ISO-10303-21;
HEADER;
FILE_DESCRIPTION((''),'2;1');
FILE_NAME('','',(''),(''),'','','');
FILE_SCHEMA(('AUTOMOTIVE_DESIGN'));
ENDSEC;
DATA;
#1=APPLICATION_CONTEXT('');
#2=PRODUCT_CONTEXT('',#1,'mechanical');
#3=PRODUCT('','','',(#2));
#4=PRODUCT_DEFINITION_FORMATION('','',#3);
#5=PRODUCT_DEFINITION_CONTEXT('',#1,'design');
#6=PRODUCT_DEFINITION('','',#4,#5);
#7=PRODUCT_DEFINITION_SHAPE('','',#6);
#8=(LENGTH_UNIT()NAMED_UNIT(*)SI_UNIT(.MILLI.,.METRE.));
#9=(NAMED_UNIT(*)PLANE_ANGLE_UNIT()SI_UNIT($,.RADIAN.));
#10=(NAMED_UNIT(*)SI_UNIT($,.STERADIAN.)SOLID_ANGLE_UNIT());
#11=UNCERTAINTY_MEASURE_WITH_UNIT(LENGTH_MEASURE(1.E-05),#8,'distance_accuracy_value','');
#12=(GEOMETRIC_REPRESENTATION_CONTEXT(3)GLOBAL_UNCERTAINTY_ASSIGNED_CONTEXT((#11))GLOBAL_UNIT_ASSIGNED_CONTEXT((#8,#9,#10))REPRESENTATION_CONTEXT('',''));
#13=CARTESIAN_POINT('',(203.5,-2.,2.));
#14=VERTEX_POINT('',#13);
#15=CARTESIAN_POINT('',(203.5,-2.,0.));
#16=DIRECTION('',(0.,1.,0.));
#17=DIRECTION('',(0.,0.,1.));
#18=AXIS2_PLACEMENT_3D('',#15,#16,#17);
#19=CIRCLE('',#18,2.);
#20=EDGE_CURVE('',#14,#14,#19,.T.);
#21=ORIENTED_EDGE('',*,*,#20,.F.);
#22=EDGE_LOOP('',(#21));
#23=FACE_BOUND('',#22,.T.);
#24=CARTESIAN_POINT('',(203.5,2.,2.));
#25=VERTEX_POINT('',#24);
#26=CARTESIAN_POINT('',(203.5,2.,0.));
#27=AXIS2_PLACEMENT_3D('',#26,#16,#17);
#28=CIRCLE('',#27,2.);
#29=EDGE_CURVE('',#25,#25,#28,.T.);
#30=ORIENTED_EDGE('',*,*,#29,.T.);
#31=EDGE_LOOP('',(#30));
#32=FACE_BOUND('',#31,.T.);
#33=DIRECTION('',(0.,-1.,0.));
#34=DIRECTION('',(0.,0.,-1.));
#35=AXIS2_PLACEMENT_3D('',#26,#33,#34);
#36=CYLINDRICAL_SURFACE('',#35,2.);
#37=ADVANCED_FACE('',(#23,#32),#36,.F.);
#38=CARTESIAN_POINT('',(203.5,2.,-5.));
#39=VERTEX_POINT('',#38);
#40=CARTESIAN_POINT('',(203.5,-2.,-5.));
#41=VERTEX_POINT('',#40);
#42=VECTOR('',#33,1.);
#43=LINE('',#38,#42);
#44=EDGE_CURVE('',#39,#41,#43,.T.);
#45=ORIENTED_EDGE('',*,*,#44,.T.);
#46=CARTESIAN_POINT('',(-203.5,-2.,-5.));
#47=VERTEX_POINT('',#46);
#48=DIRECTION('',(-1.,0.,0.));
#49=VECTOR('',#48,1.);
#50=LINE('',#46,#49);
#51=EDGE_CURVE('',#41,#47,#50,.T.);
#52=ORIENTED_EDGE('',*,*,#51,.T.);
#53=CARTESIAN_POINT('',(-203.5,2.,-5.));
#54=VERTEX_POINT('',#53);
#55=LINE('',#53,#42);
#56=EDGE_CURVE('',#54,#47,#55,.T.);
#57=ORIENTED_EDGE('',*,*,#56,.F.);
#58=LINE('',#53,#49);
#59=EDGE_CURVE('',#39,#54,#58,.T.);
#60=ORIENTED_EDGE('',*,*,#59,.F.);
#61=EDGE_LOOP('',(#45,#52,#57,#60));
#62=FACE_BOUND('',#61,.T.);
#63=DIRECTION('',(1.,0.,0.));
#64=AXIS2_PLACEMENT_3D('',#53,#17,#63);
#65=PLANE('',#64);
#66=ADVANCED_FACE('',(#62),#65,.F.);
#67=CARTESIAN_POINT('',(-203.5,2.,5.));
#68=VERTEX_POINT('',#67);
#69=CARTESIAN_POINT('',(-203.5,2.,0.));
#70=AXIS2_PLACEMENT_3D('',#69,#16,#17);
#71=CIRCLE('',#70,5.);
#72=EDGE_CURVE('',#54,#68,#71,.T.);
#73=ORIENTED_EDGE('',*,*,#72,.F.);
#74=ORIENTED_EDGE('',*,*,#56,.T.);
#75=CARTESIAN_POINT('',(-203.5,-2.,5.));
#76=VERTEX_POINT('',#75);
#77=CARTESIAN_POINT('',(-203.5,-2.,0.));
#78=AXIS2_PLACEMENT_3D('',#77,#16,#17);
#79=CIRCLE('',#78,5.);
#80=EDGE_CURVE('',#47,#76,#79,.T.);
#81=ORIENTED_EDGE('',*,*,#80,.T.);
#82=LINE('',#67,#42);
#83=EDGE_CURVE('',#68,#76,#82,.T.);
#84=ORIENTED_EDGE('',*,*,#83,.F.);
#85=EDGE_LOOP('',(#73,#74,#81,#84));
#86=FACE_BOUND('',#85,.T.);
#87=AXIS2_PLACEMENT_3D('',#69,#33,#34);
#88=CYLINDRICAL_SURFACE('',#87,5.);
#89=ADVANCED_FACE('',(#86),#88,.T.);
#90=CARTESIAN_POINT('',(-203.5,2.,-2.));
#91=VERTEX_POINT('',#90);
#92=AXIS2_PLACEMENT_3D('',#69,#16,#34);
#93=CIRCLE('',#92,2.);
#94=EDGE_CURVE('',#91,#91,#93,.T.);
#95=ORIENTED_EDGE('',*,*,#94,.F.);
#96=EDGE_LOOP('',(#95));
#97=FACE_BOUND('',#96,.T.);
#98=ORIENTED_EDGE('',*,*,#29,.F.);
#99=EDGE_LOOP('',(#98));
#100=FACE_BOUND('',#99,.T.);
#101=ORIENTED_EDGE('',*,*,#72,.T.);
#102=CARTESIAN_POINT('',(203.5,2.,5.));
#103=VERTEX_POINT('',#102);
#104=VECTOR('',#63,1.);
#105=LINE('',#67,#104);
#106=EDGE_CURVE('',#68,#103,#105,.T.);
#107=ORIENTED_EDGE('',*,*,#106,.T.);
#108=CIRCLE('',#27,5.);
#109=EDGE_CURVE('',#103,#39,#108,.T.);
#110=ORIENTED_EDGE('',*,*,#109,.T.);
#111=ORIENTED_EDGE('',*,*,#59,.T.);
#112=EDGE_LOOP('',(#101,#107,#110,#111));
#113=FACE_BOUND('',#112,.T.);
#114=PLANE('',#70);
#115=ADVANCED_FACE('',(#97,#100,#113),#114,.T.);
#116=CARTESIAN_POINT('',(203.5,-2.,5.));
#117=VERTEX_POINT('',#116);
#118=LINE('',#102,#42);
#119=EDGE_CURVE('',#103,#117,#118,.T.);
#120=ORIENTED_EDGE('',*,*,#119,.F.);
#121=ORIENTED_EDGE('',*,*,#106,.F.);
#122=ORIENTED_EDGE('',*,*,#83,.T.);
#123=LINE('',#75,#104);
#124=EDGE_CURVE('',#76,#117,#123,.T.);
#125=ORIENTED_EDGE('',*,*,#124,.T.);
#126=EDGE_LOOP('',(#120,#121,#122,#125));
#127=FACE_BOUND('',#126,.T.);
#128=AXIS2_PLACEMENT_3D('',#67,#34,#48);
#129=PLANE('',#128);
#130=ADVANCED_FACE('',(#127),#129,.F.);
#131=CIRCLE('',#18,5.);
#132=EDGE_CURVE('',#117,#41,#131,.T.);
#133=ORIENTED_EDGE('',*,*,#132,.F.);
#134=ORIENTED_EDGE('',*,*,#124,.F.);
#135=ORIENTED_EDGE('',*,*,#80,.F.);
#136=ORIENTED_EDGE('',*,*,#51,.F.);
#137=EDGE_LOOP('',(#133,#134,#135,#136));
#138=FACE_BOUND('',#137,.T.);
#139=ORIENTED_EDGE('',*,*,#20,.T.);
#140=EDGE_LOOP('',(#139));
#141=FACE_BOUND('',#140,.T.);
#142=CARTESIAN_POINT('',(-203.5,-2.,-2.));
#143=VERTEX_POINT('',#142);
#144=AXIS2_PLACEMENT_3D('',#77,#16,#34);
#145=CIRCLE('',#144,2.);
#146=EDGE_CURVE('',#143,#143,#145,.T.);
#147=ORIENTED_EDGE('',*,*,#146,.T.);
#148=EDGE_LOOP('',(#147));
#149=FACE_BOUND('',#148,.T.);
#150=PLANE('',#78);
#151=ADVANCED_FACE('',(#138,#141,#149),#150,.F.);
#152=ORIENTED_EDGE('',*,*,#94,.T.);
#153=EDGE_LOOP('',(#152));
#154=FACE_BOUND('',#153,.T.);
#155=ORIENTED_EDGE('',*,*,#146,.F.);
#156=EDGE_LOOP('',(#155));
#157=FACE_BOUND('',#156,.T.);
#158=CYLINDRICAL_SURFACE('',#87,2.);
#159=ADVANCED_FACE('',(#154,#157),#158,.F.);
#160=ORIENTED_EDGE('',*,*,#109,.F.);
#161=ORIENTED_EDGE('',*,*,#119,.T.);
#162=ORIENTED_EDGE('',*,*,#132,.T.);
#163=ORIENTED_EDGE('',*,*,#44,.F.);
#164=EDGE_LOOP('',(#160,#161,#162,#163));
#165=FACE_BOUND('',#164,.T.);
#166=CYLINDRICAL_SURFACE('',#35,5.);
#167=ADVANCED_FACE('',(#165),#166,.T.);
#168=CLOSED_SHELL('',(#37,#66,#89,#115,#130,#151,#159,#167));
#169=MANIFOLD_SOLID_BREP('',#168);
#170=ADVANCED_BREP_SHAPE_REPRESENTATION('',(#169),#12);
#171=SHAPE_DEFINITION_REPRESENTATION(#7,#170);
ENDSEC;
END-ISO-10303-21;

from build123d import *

# Parameters (mm, degrees)
SKETCH1_R           = 2
BOSS_EXTRUDE1_DEPTH = 2


with BuildPart() as part:
    # Sketch1 → Boss-Extrude1 (new, symmetric)
    with BuildSketch(Plane(origin=(0, 0, 0), x_dir=(1, 0, 0), z_dir=(0, 1, 0))):
        with BuildLine():
            Line((-203.5, 5), (203.5, 5))
            ThreePointArc((203.5, 5), (208.5, 0), (203.5, -5))
            Line((203.5, -5), (-203.5, -5))
            ThreePointArc((-203.5, -5), (-208.5, 0), (-203.5, 5))
        make_face()
        with Locations(Location((203.5, 0, 0), (0, 0, 270))):
            Circle(SKETCH1_R, mode=Mode.SUBTRACT)
        with Locations(Location((-203.5, 0, 0), (0, 0, 90))):
            Circle(SKETCH1_R, mode=Mode.SUBTRACT)
    extrude(amount=BOSS_EXTRUDE1_DEPTH, both=True)


solid = part.part
